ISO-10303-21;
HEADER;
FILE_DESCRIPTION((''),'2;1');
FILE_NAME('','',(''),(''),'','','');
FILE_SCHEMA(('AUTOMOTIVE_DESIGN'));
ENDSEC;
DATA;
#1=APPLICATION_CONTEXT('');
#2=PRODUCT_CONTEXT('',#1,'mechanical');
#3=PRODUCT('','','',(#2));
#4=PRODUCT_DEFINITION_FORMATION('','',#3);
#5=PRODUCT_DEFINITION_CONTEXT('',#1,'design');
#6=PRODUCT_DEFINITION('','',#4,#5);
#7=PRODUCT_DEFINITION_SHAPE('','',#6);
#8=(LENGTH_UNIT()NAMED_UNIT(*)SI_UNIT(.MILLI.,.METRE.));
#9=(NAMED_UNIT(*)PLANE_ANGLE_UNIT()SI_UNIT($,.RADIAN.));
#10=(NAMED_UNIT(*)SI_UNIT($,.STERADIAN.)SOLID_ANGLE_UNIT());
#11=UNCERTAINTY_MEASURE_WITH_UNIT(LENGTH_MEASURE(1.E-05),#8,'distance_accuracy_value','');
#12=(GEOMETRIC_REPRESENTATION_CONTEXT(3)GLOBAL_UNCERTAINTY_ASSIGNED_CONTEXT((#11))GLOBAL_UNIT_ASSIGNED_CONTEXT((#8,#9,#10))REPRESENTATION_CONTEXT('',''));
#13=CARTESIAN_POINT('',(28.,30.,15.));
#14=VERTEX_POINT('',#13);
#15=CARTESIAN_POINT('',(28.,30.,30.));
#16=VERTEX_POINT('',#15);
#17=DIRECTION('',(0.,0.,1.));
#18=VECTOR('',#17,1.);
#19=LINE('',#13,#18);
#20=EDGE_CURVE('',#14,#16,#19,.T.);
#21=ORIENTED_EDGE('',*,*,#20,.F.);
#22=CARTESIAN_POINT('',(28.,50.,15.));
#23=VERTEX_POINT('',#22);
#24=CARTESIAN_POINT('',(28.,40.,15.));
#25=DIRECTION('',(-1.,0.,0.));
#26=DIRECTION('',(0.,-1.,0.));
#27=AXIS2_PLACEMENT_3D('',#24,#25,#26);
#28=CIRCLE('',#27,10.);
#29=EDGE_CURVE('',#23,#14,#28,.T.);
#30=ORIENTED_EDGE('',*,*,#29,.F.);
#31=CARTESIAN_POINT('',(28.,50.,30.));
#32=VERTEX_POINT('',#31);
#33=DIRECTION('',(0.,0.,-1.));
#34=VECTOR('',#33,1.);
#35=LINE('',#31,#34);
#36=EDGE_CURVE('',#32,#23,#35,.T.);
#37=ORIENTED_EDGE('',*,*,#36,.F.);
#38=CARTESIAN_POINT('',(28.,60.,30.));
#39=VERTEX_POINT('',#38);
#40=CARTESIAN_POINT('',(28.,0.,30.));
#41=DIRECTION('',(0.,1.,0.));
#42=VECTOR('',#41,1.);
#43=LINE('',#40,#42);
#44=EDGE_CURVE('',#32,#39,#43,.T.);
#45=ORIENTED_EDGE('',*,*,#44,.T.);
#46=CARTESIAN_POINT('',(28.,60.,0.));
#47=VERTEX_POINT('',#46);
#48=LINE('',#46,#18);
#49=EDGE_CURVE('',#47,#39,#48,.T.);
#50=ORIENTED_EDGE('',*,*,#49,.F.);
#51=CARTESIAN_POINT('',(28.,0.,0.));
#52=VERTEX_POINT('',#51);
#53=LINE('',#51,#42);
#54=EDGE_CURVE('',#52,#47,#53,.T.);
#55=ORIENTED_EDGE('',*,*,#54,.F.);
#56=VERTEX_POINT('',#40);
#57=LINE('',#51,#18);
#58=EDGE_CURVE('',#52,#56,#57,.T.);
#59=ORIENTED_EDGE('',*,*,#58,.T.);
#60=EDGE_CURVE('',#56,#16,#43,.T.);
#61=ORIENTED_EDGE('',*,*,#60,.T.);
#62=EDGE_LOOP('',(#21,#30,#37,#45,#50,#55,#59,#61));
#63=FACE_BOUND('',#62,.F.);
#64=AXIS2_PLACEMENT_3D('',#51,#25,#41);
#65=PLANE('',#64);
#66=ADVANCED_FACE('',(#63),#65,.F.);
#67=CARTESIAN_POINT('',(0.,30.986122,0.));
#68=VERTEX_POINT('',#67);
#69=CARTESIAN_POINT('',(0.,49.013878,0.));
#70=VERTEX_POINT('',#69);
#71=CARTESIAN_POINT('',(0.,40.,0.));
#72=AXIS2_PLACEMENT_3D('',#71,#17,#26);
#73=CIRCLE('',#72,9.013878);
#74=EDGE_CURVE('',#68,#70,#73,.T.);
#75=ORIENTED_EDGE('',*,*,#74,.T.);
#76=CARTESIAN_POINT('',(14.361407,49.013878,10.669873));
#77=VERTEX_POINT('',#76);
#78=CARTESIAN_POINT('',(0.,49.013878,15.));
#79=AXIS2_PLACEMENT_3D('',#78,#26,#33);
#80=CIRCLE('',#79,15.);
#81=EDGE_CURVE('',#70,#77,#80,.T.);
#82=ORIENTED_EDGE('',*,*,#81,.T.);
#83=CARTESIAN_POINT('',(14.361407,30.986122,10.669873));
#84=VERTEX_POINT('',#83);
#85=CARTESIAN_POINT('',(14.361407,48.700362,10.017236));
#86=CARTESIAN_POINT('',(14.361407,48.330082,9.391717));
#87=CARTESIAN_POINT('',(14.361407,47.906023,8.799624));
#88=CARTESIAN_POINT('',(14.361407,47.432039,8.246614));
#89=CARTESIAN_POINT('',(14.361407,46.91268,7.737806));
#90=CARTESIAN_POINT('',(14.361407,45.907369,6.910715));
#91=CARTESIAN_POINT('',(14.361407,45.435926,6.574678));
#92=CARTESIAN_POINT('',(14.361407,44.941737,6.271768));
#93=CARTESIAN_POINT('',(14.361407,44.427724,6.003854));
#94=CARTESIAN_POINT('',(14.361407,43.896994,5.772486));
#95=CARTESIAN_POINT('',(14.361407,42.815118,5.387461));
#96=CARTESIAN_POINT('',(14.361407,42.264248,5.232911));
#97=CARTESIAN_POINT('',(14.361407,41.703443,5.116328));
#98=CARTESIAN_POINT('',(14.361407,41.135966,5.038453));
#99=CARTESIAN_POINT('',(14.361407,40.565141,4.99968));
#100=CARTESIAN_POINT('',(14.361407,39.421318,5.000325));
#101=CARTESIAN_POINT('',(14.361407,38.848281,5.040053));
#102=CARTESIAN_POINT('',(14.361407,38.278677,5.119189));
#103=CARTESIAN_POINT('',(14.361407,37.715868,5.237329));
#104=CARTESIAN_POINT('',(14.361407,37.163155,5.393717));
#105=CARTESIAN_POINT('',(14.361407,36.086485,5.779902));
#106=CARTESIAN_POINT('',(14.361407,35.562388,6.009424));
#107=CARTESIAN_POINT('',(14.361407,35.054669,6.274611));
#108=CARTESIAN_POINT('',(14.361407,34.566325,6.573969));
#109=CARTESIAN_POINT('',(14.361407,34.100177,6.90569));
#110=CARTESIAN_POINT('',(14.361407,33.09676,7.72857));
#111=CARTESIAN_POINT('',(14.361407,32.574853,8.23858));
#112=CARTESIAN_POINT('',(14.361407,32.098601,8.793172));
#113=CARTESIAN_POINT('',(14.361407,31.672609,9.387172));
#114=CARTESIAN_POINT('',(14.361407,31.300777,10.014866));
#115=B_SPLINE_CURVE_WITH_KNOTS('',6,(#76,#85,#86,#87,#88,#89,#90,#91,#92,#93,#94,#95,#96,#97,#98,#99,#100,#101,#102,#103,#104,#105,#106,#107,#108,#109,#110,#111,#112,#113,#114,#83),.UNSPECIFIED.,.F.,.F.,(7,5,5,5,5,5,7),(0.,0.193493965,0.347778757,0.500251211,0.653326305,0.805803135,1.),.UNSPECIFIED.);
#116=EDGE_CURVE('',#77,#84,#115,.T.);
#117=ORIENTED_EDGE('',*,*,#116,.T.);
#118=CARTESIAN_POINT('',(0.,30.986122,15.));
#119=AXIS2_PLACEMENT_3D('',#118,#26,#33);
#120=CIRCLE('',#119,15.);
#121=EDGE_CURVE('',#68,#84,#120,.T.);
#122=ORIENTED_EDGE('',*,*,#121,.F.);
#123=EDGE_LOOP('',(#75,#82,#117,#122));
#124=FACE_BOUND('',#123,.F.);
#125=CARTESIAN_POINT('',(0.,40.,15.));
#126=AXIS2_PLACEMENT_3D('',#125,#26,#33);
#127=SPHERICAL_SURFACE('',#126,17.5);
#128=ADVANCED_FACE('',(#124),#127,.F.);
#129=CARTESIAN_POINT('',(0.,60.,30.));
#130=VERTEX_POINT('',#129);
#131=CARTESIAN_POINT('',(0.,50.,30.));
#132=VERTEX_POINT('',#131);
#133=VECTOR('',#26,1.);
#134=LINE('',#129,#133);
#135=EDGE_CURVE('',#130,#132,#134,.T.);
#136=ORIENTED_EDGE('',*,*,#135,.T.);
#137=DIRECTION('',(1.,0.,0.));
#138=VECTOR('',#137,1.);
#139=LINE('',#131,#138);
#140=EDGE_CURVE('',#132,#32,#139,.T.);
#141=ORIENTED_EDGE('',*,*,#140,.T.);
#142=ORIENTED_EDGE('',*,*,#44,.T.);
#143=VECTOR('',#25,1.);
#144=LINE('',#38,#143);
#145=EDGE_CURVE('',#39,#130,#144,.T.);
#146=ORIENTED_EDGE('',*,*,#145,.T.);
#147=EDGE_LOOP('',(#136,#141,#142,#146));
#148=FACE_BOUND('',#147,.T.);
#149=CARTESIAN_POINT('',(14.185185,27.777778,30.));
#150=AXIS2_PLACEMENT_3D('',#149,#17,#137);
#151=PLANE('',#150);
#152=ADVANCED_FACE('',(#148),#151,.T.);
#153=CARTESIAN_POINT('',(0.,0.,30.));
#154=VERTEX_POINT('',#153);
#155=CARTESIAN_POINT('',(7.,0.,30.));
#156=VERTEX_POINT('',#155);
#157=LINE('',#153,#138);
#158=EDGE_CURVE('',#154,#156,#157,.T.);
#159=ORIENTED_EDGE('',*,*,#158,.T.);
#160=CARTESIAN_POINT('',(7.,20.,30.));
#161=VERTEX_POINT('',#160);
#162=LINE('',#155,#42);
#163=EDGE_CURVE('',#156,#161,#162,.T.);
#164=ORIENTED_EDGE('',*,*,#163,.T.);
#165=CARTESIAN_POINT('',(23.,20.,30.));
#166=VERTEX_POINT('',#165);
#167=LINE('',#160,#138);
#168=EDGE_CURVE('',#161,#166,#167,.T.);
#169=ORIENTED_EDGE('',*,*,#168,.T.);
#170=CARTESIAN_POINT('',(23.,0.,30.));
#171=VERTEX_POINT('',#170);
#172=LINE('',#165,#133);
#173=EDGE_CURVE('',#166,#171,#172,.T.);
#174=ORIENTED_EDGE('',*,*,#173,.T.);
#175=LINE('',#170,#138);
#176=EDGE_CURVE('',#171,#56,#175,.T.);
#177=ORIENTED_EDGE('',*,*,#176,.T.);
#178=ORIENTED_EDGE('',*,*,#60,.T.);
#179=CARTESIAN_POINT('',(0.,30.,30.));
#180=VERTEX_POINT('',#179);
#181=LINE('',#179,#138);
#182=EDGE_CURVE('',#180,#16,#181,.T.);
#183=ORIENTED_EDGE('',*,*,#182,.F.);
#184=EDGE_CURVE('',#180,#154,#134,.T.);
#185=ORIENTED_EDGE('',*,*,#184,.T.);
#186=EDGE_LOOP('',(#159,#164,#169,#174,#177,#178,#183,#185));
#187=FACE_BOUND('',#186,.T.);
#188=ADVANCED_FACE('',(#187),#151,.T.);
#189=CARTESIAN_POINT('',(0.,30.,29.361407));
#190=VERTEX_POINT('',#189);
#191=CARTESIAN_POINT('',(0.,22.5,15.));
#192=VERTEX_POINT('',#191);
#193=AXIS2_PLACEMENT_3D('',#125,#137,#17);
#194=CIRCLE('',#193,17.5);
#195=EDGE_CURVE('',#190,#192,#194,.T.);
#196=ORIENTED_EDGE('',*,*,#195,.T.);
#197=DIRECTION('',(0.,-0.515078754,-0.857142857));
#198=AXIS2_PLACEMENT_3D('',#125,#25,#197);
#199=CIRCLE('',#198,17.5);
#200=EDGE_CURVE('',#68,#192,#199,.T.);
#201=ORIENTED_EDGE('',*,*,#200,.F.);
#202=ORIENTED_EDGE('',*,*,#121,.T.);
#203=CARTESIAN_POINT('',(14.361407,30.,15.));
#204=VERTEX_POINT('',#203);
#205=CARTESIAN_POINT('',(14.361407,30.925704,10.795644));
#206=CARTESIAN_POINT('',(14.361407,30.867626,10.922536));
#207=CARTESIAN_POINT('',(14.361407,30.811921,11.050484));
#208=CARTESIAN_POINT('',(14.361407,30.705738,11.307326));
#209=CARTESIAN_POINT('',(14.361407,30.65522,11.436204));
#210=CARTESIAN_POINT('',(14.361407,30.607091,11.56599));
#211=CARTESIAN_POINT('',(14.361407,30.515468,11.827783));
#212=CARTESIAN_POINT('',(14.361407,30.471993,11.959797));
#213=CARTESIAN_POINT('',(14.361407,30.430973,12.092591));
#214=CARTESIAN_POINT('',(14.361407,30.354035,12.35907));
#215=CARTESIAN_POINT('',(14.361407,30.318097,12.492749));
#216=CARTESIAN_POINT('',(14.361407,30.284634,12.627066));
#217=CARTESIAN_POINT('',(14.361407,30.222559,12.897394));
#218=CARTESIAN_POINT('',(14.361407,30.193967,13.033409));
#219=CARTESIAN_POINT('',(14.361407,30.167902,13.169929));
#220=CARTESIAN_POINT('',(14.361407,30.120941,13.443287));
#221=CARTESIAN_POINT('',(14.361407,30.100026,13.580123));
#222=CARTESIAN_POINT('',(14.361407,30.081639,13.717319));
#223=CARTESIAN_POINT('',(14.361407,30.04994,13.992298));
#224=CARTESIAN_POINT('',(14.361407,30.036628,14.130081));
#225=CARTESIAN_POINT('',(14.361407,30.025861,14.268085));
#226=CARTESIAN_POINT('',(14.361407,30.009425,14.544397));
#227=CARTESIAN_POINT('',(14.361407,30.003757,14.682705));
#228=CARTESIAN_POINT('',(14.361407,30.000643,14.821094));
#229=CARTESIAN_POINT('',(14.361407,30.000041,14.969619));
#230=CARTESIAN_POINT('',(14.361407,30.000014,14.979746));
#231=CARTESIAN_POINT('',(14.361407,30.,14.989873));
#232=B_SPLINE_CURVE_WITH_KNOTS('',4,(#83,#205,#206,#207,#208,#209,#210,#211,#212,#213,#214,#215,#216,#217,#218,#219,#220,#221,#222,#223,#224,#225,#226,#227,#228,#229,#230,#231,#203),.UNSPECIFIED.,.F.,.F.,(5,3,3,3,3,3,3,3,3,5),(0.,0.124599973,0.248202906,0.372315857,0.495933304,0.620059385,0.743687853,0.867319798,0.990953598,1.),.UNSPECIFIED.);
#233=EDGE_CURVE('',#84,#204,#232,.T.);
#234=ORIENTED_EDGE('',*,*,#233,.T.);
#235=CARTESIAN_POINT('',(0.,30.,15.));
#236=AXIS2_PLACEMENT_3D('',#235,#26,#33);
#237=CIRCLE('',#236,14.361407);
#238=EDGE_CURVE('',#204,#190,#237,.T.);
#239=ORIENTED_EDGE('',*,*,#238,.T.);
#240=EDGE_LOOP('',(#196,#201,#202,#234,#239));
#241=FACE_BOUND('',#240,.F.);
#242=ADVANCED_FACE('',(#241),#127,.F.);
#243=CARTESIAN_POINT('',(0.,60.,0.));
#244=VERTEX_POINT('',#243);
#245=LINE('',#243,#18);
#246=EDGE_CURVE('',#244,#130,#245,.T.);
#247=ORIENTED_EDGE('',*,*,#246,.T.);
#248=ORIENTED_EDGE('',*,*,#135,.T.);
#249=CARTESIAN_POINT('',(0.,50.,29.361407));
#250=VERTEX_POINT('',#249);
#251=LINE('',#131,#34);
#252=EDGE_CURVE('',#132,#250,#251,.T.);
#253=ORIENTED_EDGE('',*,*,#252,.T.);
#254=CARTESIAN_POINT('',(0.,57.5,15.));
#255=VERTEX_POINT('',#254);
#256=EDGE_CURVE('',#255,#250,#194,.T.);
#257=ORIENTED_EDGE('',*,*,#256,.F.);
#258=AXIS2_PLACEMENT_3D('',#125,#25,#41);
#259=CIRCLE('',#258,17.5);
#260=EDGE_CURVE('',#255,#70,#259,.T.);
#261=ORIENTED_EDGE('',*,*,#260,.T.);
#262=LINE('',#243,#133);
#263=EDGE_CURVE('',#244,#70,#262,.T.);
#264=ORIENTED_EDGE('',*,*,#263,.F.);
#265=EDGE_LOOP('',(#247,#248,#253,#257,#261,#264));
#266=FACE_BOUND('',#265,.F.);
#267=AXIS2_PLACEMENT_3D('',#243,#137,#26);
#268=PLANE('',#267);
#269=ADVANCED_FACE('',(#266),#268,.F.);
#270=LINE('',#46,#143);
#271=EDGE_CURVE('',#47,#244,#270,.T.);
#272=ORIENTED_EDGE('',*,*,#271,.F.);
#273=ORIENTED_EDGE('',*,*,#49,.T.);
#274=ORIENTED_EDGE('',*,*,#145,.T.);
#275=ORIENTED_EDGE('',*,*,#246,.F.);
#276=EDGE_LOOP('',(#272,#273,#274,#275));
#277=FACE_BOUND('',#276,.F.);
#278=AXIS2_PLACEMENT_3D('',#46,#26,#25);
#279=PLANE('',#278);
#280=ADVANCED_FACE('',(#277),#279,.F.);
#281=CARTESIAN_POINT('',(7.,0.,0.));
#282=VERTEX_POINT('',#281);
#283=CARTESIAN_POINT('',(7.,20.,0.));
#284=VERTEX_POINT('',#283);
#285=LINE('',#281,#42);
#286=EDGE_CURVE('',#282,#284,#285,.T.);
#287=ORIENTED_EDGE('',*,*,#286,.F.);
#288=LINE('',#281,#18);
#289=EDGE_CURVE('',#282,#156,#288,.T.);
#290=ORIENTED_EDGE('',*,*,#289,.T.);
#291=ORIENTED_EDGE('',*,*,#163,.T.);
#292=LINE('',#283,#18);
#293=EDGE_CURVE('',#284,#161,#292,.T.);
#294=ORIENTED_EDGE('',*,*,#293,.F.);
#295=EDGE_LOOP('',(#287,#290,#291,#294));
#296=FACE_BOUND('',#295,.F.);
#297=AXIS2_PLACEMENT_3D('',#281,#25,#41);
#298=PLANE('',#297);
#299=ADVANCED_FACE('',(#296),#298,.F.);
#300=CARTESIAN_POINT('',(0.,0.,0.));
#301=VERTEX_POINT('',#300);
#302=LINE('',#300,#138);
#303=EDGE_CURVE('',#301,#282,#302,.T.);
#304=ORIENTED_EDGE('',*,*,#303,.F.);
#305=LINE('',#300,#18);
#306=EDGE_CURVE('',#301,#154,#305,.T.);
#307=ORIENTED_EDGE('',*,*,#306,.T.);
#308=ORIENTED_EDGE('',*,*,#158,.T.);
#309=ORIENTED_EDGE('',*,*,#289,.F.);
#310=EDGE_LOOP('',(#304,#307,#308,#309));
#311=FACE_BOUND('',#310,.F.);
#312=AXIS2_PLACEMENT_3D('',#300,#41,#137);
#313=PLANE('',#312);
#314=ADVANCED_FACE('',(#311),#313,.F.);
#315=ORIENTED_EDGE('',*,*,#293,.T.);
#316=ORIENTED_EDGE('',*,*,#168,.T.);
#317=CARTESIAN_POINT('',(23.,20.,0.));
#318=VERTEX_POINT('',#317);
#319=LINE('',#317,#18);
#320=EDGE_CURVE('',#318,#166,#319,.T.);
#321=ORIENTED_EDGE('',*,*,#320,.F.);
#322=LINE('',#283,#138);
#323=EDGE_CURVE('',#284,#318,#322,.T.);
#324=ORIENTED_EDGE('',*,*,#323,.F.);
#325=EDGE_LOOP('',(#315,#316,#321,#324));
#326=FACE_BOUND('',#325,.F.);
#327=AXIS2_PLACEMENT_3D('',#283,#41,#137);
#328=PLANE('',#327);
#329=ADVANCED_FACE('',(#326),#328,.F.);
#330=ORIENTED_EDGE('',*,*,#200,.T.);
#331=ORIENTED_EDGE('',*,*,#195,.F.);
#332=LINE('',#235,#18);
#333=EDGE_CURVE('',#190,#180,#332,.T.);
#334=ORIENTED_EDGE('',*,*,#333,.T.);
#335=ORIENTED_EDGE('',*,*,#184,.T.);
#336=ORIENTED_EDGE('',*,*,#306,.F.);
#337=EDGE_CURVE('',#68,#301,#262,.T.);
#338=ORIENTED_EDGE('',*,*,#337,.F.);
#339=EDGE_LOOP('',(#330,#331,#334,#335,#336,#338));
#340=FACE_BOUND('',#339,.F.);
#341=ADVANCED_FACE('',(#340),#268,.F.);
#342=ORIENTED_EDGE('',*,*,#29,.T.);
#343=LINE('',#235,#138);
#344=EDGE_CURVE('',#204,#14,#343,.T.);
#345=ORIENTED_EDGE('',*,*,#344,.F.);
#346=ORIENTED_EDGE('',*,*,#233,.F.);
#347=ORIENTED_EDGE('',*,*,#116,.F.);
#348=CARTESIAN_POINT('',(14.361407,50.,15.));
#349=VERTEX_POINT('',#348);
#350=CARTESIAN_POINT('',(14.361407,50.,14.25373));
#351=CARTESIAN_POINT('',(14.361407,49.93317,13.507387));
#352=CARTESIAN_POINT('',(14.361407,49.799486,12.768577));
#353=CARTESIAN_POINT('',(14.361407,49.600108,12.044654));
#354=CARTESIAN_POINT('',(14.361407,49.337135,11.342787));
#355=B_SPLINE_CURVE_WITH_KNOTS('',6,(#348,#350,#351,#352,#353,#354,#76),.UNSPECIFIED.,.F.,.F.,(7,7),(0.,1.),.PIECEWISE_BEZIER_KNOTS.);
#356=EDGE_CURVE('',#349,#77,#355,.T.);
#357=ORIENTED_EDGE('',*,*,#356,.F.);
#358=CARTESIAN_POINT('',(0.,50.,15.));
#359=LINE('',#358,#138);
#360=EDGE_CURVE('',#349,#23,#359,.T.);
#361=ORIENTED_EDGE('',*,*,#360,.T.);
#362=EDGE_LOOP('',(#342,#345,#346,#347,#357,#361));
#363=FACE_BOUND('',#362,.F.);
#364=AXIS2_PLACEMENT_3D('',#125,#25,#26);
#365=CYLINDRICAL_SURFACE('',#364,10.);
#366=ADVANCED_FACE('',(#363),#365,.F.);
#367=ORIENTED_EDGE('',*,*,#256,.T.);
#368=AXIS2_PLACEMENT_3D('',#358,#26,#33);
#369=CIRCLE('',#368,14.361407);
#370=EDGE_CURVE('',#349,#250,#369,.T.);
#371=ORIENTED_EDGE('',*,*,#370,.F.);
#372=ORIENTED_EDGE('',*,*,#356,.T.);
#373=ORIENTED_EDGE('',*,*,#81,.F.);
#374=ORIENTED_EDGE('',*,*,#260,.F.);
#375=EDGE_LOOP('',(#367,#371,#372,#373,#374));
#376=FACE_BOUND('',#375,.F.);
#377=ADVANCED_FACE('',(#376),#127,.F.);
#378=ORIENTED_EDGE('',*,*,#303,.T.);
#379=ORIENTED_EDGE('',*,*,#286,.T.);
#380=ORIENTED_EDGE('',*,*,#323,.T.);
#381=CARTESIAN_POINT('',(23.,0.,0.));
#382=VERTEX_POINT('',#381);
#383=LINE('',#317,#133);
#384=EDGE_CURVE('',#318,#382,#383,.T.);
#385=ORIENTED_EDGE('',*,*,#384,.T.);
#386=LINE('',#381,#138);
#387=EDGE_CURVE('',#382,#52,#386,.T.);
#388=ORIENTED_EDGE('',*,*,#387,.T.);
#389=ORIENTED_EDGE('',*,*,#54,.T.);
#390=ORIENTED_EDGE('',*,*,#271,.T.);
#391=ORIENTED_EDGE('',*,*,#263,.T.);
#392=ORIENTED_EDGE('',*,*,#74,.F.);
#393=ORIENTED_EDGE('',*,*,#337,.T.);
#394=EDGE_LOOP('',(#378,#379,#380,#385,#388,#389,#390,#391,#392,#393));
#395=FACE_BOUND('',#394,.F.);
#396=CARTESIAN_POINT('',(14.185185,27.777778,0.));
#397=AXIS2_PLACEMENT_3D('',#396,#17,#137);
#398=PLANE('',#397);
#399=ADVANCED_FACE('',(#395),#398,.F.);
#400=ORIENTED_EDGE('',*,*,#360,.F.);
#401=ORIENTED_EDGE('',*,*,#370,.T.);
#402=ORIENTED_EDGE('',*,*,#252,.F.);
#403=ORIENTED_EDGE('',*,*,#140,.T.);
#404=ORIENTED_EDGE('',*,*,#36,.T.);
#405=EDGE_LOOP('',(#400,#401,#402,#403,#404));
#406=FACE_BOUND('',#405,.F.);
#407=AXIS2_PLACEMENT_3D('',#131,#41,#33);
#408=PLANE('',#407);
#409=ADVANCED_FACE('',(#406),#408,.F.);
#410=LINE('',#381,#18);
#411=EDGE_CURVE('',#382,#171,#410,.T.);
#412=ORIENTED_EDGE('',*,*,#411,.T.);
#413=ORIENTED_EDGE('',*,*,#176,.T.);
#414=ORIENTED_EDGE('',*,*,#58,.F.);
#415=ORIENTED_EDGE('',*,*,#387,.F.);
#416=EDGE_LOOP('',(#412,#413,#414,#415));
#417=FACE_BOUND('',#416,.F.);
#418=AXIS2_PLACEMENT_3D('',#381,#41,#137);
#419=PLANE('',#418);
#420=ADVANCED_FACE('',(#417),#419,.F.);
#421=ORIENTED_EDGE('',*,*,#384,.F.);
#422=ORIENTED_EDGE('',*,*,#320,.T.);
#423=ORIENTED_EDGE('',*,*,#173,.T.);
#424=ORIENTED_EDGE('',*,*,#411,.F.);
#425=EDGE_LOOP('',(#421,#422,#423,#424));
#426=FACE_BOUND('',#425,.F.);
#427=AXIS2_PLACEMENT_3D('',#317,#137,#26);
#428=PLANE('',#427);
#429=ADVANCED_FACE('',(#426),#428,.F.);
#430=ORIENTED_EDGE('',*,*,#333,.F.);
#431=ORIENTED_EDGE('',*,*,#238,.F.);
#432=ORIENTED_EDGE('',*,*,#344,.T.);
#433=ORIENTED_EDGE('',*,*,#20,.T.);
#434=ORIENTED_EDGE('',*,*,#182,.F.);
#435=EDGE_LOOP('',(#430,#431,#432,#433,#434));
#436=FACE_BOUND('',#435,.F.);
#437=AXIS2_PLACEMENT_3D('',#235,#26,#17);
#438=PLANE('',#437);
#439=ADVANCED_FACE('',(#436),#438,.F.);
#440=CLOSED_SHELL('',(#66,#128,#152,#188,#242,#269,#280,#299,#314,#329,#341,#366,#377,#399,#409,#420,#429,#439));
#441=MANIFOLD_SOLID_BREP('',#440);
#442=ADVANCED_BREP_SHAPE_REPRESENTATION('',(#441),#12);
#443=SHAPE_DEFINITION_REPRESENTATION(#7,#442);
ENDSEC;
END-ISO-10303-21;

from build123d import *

# Parameters (mm, degrees)
F1_DEPTH = 30
F3_DEPTH = 28


with BuildPart() as f1:
    # F0 (on Top) → F1 (new body)
    with BuildSketch(Plane.XY):
        Polygon((0, 60), (0, 0), (7, 0), (7, 20), (23, 20), (23, 0), (28, 0), (28, 60), align=None)
    extrude(amount=F1_DEPTH)

    # F2 (on face) → F3 (cut, through all)
    with BuildSketch(Plane(origin=(0, 0, 0), x_dir=(0, -1, 0), z_dir=(-1, 0, 0))):
        with BuildLine():
            ThreePointArc((-50, 15), (-40, 5), (-30, 15))
            Line((-30, 15), (-50, 15))
        make_face()
        with BuildLine():
            Line((-50, 15), (-30, 15))
            ThreePointArc((-30, 15), (-40, 25), (-50, 15))
        make_face()
        with BuildLine():
            Line((-30, 15), (-30, 30))
            Line((-30, 30), (-50, 30))
            Line((-50, 30), (-50, 15))
            ThreePointArc((-50, 15), (-40, 25), (-30, 15))
        make_face()
    extrude(amount=-F3_DEPTH, mode=Mode.SUBTRACT)

    # F2 (on face) → F4 (revolve, cut)
    with BuildSketch(Plane(origin=(0, 0, 0), x_dir=(0, -1, 0), z_dir=(-1, 0, 0))):
        with BuildLine():
            ThreePointArc((-50, 15), (-40, 5), (-30, 15))
            Line((-30, 15), (-50, 15))
        make_face()
        with BuildLine():
            Line((-49.0138781887, 0), (-30.9861218113, 0))
            ThreePointArc((-30.9861218113, 0), (-24.7685708435, 6.3829491211), (-22.5, 15))
            Line((-22.5, 15), (-30, 15))
            ThreePointArc((-30, 15), (-40, 5), (-50, 15))
            Line((-50, 15), (-57.5, 15))
            ThreePointArc((-57.5, 15), (-55.2314291565, 6.3829491211), (-49.0138781887, 0))
        make_face()
        with BuildLine():
            ThreePointArc((-49.0138781887, 0), (-40, -2.5), (-30.9861218113, 0))
            Line((-30.9861218113, 0), (-49.0138781887, 0))
        make_face()
    revolve(axis=Axis((0, 40, 15), (0, -1, 0)), mode=Mode.SUBTRACT)


solid = f1.part
